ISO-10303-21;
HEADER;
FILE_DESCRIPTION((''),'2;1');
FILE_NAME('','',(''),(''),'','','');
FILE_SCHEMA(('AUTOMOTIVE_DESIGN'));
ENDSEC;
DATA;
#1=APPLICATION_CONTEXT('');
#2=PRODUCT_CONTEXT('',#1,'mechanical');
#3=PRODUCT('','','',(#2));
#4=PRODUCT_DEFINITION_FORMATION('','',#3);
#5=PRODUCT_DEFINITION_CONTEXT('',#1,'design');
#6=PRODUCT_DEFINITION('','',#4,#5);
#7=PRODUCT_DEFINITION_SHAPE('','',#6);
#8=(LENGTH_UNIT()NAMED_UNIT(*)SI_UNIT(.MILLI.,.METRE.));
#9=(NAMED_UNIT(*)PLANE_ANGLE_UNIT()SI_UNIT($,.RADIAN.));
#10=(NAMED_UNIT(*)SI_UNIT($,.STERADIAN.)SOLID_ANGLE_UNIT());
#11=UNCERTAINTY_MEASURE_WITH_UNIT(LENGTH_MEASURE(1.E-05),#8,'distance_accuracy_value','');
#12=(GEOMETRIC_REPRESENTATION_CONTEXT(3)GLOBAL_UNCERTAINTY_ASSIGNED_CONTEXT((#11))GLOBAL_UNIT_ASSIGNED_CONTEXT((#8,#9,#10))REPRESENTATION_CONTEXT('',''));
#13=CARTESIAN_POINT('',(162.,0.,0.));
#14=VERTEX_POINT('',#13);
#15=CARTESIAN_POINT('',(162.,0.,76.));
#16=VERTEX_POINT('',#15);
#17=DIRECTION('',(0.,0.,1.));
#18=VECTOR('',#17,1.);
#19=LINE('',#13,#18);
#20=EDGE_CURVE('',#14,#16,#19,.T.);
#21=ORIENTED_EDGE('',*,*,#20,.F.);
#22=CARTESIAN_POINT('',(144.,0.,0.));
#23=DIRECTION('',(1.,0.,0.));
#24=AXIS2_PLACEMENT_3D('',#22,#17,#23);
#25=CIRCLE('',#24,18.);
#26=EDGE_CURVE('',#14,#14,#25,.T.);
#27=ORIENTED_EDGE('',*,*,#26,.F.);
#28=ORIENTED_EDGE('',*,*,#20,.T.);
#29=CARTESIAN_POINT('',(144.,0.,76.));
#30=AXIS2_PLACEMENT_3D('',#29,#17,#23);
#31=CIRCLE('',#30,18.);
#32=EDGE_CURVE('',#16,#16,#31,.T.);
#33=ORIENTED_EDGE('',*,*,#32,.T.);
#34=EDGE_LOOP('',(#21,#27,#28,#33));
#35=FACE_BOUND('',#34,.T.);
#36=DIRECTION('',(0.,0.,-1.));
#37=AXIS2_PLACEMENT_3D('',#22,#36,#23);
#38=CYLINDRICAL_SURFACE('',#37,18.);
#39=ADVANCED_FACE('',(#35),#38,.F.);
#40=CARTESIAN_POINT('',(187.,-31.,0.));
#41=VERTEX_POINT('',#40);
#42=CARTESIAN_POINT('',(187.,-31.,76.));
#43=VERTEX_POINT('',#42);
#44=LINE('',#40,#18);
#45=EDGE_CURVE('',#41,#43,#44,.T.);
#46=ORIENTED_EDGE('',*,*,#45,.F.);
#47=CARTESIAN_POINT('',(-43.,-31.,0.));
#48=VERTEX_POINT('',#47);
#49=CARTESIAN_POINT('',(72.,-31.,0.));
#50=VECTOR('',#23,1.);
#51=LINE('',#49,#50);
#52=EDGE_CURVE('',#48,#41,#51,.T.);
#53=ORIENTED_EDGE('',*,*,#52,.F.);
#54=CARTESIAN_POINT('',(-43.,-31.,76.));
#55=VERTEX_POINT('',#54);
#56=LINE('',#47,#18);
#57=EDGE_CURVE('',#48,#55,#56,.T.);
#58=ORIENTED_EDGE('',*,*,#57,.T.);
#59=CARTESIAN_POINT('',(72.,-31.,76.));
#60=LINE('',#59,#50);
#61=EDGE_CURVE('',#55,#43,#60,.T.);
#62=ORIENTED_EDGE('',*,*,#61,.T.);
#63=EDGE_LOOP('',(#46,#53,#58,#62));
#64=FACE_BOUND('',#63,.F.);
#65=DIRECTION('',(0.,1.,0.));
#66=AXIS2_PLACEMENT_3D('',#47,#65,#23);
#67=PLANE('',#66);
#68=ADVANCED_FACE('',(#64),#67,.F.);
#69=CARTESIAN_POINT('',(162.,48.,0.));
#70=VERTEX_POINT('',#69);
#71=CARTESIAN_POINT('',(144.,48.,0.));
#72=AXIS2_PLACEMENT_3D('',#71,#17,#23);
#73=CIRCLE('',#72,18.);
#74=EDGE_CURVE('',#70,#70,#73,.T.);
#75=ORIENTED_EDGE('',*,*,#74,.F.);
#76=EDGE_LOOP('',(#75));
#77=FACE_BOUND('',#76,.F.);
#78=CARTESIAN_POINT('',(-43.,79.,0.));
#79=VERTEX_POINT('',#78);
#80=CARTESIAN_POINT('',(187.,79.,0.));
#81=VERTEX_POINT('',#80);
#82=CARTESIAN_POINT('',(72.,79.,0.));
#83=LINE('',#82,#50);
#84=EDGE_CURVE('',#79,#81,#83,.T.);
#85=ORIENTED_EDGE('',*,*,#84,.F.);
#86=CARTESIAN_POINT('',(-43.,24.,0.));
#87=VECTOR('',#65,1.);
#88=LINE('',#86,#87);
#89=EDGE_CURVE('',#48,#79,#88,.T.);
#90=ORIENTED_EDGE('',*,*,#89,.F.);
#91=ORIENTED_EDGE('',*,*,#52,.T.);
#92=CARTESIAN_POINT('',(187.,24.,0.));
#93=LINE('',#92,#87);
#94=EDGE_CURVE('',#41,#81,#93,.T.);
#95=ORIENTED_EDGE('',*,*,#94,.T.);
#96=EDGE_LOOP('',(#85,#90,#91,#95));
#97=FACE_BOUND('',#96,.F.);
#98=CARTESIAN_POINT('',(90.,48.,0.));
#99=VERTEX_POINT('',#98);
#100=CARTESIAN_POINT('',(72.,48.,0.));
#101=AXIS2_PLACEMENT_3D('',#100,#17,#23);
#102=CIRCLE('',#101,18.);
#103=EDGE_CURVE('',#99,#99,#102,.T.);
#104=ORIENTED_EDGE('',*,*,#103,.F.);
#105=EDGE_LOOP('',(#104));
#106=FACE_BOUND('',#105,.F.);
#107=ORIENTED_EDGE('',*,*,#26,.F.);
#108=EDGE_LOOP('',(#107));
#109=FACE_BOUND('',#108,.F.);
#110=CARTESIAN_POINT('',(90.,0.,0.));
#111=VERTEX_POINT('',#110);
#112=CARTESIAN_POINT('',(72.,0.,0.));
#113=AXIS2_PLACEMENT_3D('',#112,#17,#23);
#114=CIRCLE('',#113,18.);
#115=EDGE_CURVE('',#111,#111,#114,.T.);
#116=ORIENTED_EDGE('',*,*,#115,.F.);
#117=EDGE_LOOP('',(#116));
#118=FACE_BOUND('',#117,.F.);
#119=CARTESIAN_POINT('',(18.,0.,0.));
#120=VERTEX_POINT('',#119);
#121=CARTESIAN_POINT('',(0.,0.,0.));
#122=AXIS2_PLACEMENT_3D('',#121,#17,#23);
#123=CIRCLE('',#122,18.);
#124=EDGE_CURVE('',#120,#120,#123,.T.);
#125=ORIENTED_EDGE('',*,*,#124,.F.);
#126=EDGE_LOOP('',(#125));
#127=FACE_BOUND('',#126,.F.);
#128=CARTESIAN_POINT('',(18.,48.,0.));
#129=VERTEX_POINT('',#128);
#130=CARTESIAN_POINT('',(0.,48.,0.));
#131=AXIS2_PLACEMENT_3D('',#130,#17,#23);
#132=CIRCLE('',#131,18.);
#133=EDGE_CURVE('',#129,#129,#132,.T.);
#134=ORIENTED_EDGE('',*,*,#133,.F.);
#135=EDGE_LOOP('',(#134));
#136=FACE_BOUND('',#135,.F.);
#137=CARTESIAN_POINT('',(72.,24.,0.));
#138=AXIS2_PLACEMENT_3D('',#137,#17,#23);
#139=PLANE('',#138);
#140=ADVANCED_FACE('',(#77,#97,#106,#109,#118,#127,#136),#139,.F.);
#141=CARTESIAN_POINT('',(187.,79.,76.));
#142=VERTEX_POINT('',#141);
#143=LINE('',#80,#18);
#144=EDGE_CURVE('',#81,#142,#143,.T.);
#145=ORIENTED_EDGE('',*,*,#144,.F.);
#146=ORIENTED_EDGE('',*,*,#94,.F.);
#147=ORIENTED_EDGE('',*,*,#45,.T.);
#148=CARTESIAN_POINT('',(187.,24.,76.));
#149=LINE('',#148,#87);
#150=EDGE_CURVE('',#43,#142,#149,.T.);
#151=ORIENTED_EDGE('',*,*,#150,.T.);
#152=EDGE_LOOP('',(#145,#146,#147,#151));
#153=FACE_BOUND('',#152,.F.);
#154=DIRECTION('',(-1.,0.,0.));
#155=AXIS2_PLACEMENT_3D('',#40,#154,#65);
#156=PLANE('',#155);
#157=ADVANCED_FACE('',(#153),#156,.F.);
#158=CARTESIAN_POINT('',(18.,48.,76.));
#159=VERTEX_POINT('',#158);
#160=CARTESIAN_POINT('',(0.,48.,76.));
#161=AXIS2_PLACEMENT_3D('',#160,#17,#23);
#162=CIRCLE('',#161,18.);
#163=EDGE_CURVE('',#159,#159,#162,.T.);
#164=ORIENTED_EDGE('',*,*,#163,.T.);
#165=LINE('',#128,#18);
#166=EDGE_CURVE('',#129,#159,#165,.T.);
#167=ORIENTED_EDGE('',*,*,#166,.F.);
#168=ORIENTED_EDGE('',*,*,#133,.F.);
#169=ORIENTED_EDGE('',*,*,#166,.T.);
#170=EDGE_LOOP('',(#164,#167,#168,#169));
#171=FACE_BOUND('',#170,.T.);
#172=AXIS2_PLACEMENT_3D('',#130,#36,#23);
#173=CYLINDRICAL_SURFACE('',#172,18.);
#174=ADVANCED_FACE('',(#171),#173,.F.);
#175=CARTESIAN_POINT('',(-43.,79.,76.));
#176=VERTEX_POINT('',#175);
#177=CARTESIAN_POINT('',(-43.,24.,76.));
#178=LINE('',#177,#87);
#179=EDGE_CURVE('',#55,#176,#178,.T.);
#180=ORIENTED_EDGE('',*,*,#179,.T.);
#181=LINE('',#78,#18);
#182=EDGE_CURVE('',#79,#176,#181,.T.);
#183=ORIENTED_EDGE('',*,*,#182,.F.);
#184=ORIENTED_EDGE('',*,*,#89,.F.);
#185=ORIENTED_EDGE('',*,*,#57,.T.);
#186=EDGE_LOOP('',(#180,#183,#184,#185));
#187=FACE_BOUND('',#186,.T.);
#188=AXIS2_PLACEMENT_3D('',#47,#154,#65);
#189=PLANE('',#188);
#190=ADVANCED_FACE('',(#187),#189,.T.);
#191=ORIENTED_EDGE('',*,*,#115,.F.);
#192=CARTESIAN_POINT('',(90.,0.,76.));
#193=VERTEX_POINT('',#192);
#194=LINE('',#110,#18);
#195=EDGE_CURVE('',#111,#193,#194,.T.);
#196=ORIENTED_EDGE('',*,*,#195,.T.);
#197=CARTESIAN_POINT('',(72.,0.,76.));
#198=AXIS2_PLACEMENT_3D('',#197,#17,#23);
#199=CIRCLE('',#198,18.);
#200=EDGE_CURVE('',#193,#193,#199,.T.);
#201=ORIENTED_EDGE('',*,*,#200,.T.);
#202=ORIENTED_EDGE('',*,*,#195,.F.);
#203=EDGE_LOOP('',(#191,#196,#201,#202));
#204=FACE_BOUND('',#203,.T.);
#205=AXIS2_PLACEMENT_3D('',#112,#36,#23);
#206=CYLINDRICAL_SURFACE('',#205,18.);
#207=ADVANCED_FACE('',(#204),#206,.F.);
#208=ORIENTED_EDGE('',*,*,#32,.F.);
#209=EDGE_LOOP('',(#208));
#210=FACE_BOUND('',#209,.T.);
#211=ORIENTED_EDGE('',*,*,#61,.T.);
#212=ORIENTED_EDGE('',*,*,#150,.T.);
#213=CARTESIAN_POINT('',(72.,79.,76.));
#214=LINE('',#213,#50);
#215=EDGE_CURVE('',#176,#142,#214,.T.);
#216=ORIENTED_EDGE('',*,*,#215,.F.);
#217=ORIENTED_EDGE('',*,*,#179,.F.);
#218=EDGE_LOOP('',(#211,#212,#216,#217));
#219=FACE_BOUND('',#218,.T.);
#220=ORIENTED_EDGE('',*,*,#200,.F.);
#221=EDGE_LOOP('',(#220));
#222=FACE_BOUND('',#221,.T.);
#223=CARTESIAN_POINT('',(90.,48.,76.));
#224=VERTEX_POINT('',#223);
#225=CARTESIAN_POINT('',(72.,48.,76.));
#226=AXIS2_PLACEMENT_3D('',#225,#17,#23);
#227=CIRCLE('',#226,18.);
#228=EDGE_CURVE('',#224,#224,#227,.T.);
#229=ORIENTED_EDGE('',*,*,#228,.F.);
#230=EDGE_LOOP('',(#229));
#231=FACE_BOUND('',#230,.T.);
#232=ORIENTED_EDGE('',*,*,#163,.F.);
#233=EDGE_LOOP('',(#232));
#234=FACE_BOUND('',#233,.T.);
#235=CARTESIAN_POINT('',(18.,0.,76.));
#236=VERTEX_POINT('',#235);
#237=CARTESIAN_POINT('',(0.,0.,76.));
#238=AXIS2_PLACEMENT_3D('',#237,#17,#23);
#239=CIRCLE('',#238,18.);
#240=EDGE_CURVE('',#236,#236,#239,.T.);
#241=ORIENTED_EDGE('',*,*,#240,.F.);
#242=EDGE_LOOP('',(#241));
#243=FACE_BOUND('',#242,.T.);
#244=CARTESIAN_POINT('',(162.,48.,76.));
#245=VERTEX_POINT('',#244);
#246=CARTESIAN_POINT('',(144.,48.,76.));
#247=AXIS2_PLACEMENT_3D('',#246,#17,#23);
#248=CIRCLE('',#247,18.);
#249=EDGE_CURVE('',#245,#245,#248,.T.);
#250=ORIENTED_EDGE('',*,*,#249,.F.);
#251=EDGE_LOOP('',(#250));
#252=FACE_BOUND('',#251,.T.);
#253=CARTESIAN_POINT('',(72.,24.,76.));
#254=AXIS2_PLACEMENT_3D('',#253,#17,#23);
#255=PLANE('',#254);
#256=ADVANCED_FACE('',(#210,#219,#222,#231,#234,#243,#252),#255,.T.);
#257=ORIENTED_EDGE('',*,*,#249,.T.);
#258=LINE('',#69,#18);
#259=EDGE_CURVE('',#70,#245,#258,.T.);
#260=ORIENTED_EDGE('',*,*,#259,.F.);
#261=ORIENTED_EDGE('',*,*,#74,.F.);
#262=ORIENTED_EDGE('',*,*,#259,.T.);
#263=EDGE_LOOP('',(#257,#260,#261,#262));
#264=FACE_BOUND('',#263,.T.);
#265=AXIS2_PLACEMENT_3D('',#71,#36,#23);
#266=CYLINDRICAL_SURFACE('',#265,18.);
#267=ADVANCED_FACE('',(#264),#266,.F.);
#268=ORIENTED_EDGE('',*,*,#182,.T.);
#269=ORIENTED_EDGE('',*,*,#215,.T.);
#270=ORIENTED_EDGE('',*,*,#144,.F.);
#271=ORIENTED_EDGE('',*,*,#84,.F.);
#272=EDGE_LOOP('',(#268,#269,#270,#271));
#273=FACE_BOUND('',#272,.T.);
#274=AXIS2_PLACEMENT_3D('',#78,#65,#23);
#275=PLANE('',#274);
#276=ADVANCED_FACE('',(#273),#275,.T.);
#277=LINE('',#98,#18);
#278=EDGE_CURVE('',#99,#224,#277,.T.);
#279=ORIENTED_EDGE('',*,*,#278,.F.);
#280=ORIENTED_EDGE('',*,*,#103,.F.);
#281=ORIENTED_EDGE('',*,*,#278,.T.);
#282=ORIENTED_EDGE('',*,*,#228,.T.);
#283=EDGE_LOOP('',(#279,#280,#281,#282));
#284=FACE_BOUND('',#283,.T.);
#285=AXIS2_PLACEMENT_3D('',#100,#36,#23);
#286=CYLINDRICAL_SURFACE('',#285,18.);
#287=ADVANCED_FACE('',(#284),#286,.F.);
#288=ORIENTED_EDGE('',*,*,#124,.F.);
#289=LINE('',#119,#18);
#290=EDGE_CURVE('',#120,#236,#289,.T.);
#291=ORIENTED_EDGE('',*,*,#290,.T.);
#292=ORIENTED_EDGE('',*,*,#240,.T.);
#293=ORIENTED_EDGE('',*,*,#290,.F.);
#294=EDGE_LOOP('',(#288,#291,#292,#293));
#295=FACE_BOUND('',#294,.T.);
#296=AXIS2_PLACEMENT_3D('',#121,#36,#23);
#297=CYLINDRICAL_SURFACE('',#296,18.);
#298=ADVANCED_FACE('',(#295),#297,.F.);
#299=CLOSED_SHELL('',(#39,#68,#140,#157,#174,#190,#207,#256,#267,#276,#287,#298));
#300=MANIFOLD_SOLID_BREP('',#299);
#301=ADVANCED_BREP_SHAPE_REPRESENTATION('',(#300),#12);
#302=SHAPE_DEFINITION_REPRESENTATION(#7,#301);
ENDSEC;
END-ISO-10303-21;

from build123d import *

# Parameters (mm, degrees)
CYLINDER_R        = 18
CYLINDER_DEPTH    = 76
CYLINDER001_R     = 18
CYLINDER001_DEPTH = 76
CYLINDER002_R     = 18
CYLINDER002_DEPTH = 76
CYLINDER003_R     = 18
CYLINDER003_DEPTH = 76
CYLINDER004_R     = 18
CYLINDER004_DEPTH = 76
CYLINDER005_R     = 18
CYLINDER005_DEPTH = 76
BOX_W             = 230
BOX_H             = 110
BOX_DEPTH         = 76


with BuildPart() as cercle1:
    # Cylinder → Cylinder (new body)
    with BuildSketch(Plane.XY):
        Circle(CYLINDER_R)
    extrude(amount=CYLINDER_DEPTH)


with BuildPart() as cercle2:
    # Cylinder001 → Cylinder001 (new body)
    with BuildSketch(Plane(origin=(72, 0, 0), x_dir=(1, 0, 0), z_dir=(0, 0, 1))):
        Circle(CYLINDER001_R)
    extrude(amount=CYLINDER001_DEPTH)


with BuildPart() as cercle3:
    # Cylinder002 → Cylinder002 (new body)
    with BuildSketch(Plane(origin=(144, 0, 0), x_dir=(1, 0, 0), z_dir=(0, 0, 1))):
        Circle(CYLINDER002_R)
    extrude(amount=CYLINDER002_DEPTH)


with BuildPart() as cercle4:
    # Cylinder003 → Cylinder003 (new body)
    with BuildSketch(Plane(origin=(0, 48, 0), x_dir=(1, 0, 0), z_dir=(0, 0, 1))):
        Circle(CYLINDER003_R)
    extrude(amount=CYLINDER003_DEPTH)


with BuildPart() as cercle5:
    # Cylinder004 → Cylinder004 (new body)
    with BuildSketch(Plane(origin=(72, 48, 0), x_dir=(1, 0, 0), z_dir=(0, 0, 1))):
        Circle(CYLINDER004_R)
    extrude(amount=CYLINDER004_DEPTH)


with BuildPart() as fusion:
    # Cylinder005 → Cylinder005 (new body)
    with BuildSketch(Plane(origin=(144, 48, 0), x_dir=(1, 0, 0), z_dir=(0, 0, 1))):
        Circle(CYLINDER005_R)
    extrude(amount=CYLINDER005_DEPTH)

    # Fusion: union cercle1, cercle2, cercle3, cercle4, cercle5
    add(cercle1.part)
    add(cercle2.part)
    add(cercle3.part)
    add(cercle4.part)
    add(cercle5.part)


with BuildPart() as ma:
    # Box → Box (new body)
    with BuildSketch(Plane(origin=(-43, -31, 0), x_dir=(1, 0, 0), z_dir=(0, 0, 1))):
        with Locations((115, 55)):
            Rectangle(BOX_W, BOX_H)
    extrude(amount=BOX_DEPTH)

    # Cut: cut Fusion
    add(fusion.part, mode=Mode.SUBTRACT)


solid = ma.part
